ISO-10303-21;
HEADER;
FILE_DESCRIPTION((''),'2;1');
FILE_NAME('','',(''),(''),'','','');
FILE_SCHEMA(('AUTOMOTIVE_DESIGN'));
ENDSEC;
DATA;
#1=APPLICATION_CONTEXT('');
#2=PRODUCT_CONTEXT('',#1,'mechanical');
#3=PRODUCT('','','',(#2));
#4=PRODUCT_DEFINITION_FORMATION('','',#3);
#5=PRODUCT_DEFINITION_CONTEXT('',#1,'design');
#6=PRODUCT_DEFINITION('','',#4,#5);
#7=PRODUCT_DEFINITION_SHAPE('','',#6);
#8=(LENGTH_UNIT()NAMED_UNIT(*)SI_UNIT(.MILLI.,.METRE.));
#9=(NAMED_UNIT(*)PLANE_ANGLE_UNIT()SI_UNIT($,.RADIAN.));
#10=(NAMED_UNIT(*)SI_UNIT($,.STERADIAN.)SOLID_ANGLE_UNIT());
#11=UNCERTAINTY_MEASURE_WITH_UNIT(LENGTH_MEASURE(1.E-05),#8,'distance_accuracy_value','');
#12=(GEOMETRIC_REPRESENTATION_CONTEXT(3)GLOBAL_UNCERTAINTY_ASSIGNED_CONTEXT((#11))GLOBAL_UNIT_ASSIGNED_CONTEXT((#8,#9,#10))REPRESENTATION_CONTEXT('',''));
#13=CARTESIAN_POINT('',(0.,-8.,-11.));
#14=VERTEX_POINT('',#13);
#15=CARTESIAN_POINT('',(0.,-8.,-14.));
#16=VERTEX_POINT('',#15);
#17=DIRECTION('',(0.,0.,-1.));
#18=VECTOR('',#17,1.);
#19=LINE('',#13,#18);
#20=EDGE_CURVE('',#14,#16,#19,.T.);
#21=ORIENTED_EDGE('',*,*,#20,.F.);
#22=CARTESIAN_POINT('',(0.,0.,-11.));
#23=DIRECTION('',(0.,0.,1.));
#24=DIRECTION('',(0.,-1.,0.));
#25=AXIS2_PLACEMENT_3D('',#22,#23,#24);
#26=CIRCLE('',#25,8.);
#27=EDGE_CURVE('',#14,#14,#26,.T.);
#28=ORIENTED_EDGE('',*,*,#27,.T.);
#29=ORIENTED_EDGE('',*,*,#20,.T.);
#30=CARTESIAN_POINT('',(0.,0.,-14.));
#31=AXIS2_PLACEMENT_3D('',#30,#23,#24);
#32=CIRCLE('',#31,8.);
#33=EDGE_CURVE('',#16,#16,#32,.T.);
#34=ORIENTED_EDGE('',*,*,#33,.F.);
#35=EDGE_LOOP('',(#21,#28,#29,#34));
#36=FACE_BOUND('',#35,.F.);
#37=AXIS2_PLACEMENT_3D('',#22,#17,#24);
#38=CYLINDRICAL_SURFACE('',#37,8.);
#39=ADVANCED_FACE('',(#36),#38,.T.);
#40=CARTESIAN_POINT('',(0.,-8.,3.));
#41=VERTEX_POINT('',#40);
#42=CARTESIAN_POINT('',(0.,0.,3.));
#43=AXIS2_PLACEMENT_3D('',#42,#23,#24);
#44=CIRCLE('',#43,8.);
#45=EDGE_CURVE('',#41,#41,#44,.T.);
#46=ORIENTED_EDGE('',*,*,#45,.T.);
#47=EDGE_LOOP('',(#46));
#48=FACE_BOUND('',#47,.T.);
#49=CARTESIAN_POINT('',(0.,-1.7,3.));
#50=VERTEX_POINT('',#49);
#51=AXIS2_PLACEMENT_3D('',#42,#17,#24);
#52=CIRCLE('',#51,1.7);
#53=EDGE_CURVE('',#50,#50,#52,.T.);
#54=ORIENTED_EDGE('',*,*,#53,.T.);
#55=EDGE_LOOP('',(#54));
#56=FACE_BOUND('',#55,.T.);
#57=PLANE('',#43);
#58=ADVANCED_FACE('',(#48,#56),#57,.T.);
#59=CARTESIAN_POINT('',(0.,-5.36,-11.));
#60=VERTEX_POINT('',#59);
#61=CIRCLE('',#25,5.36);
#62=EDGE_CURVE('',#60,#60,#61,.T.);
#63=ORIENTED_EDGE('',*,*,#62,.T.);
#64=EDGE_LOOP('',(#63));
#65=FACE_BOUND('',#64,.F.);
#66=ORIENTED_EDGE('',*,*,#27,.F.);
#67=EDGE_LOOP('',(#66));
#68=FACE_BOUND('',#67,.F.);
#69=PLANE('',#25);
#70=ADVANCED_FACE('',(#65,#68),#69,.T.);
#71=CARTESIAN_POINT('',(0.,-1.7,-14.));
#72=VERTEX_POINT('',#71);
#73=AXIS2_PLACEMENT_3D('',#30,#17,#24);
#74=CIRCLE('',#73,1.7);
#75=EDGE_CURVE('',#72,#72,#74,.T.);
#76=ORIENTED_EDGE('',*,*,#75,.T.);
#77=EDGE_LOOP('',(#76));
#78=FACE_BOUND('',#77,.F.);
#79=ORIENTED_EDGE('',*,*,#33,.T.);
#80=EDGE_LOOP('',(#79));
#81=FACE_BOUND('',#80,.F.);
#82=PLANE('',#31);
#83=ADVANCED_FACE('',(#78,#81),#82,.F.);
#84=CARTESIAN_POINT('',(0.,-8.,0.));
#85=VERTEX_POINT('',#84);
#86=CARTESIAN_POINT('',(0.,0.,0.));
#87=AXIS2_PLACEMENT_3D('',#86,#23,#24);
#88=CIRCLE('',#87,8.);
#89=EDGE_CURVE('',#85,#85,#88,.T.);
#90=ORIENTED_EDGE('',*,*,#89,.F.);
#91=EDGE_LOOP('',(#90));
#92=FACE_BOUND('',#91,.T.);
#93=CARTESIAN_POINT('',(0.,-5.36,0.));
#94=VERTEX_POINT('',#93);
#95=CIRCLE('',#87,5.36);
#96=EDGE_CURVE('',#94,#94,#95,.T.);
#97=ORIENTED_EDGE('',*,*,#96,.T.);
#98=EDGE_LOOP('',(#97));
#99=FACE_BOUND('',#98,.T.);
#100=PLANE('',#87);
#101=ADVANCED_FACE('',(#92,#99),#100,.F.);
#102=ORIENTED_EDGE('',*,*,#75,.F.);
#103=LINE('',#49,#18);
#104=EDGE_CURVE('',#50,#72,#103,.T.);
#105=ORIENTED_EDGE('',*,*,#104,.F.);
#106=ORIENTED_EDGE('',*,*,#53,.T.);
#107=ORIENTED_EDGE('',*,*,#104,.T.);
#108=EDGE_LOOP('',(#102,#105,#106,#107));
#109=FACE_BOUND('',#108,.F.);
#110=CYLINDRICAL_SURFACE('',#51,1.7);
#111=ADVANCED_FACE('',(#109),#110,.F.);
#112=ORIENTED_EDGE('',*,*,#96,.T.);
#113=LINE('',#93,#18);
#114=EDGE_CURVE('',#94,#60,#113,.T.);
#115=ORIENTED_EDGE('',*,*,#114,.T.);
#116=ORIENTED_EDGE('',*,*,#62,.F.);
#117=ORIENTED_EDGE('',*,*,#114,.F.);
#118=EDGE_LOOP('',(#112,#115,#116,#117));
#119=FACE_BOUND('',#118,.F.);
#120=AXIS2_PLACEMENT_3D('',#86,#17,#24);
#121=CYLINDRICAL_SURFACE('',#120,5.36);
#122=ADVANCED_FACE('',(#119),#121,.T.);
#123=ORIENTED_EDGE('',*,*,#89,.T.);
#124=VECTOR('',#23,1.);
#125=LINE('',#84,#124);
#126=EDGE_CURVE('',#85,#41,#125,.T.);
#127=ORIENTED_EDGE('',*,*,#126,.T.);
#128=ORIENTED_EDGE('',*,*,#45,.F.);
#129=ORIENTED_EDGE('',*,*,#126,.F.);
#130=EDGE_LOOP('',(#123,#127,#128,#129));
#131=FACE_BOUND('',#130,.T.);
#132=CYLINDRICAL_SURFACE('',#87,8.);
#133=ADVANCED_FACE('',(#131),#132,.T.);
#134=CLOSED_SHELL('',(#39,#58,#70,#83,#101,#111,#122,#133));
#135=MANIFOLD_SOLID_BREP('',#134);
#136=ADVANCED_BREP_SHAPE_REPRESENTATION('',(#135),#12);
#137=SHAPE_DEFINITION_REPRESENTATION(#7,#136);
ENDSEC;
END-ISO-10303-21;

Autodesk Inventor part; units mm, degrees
ref_plane "YZ Plane" through (0, 0, 0) normal (1, 0, 0) x (0, 1, 0)
ref_plane "XZ Plane" through (0, 0, 0) normal (0, 1, 0) x (-1, 0, 0)
sketch "Sketch1" plane through (0, 0, 0) normal (1, 0, 0) x (0, 1, 0)
  line L0 (0, 0) -> (-5.36, 0)
  line L1 (-5.36, 0) -> (-5.36, -11)
  line L2 (-5.36, -11) -> (0, -11)
  line L3 (0, -11) -> (0, 0)
  line L4 (0, -11) -> (-8, -11)
  line L5 (-8, -11) -> (-8, -14)
  line L6 (-8, -14) -> (0, -14)
  line L7 (0, -14) -> (0, -11)
  line L8 (0, 0) -> (-8, 0)
  line L9 (-8, 0) -> (-8, 3)
  line L10 (-8, 3) -> (0, 3)
  line L11 (0, 3) -> (0, 0)
  dimension "d0" = 5.36
  dimension "d1" = 11
  dimension "d10" = 8
  dimension "d11" = 3
  dimension "d12" = 8
  dimension "d13" = 3
revolve "Revolution1" add sketch "Sketch1" angle 360 about axis through (0, 0, -11) along (0, 0, 1)
sketch "Sketch3" plane through (0, 0, 3) normal (0, 0, 1) x (1, 0, 0)
  point P0 (0, 0)
  point P1 (0, 0)
hole "Hole2" at (0, 0, 3) direction (0, 0, -1) diameter 3.4 end through all clearance for "Hex Head Cap Screw DIN EN 24017" size "M3" standard "DIN"
ref_plane "Work Plane1" through (0, 0, -5.5) normal (0, 0, 1) x (1, 0, 0)
properties part number "PuleyIdlerHolder" material "ABS Plastic"
